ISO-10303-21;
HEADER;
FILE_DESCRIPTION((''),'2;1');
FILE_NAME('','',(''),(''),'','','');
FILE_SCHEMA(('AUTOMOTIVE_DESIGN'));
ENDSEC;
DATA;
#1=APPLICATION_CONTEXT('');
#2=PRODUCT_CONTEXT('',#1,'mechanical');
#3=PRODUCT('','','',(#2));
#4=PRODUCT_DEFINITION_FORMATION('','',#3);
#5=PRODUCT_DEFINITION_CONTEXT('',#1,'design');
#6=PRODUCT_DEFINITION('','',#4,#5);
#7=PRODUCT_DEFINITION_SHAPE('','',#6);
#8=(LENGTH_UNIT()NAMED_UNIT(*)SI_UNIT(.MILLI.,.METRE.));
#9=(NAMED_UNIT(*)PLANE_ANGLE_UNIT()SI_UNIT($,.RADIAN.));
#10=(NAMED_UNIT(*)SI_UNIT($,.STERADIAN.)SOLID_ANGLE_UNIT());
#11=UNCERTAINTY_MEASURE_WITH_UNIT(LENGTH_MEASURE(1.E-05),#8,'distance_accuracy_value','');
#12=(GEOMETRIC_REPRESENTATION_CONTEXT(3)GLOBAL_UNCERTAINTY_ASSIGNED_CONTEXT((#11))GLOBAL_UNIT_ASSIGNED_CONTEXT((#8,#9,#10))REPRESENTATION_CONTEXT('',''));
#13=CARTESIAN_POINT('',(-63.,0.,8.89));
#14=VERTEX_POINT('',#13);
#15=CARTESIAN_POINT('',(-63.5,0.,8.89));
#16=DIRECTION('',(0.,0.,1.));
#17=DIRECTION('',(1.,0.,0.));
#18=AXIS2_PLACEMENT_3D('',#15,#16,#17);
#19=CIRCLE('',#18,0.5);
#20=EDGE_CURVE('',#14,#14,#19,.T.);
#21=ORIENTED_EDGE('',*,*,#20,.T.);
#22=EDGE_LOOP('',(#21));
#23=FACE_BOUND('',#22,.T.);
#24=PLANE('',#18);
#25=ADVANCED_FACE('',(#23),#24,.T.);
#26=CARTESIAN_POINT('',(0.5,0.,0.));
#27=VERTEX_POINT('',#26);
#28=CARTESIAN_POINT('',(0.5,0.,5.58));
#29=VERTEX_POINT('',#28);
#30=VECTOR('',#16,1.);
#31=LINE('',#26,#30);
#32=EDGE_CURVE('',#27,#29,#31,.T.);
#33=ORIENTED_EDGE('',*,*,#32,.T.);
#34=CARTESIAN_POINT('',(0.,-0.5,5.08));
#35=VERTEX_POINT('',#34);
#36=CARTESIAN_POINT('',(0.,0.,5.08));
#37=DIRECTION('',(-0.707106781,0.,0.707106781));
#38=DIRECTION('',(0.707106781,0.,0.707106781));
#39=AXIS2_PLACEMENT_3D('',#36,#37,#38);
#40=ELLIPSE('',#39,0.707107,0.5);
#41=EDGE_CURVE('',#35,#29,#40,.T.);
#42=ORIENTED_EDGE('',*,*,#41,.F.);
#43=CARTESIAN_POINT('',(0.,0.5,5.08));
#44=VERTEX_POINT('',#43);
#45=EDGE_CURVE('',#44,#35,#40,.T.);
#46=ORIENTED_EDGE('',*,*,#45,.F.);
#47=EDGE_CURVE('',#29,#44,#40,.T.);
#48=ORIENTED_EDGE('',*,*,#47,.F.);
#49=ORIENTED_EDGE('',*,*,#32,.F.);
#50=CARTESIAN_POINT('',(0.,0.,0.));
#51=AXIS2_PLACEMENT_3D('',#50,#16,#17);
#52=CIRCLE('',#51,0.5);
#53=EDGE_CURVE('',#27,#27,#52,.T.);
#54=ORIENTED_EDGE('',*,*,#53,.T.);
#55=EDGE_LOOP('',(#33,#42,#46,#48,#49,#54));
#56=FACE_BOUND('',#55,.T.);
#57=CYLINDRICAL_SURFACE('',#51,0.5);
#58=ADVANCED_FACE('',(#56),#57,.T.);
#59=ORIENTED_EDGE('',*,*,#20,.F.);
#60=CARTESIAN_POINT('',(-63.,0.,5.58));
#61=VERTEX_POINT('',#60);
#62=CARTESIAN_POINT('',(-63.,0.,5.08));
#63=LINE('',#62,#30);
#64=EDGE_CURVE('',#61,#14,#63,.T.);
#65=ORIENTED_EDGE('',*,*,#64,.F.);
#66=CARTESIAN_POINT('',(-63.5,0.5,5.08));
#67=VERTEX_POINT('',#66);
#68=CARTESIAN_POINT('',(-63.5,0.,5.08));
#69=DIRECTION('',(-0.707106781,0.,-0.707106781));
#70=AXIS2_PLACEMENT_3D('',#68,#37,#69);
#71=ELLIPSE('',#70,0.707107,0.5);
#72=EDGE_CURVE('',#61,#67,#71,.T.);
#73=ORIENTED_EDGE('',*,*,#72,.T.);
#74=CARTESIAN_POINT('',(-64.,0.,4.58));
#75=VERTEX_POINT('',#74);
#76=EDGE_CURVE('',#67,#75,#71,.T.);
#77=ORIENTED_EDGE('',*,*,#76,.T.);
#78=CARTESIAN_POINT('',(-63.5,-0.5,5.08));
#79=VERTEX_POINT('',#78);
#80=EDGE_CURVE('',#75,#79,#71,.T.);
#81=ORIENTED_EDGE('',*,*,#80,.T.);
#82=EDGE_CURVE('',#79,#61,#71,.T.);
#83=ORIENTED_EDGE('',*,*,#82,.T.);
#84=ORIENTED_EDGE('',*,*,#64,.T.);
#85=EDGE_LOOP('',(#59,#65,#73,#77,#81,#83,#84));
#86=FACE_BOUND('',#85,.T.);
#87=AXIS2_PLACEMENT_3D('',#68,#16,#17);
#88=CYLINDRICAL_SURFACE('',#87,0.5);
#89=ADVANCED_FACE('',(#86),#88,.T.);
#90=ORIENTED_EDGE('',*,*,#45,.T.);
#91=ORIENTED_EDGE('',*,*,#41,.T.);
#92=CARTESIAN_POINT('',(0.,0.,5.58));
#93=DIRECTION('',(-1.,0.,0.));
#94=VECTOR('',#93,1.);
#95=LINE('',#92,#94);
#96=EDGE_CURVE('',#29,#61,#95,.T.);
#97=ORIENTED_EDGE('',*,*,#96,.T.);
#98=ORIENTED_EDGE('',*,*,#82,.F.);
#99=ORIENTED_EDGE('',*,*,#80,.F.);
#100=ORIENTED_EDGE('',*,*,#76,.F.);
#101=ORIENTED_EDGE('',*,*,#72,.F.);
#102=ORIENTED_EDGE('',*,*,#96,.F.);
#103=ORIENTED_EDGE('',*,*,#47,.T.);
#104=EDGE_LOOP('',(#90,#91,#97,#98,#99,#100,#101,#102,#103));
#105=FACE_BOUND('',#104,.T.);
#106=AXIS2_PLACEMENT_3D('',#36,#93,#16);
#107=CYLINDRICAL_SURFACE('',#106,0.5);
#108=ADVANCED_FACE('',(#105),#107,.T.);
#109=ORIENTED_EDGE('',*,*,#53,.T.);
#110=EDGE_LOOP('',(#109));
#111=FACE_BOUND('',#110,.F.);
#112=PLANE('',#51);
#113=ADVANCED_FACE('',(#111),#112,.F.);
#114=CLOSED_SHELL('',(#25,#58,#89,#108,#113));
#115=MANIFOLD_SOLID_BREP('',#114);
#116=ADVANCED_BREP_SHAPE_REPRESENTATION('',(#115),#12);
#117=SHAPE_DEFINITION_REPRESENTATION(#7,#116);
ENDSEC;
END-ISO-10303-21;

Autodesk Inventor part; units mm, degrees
ref_plane "YZ Plane" through (0, 0, 0) normal (1, 0, 0) x (0, 1, 0)
ref_plane "XZ Plane" through (0, 0, 0) normal (0, 1, 0) x (-1, 0, 0)
ref_plane "XY Plane" through (0, 0, 0) normal (0, 0, 1) x (1, 0, 0)
sketch "Sketch5" plane through (0, 0, 0) normal (0, 1, 0) x (-1, 0, 0)
  line L0 (0, 0) -> (0, 5.08)
  line L1 (0, 5.08) -> (63.5, 5.08)
  line L2 (63.5, 5.08) -> (63.5, 8.89)
  dimension "d8" = 5.08
  dimension "d9" = 63.5
  dimension "d10" = 3.81
sketch "Sketch7" plane through (0, 0, 0) normal (0, 0, 1) x (1, 0, 0)
  circle A0 centre (0, 0) radius 0.5
  dimension "WireDiameter" = 1
sweep "Sweep2" add profiles "Sketch7" path "Sketch5"
properties part number "TableMount-ServoWire"
